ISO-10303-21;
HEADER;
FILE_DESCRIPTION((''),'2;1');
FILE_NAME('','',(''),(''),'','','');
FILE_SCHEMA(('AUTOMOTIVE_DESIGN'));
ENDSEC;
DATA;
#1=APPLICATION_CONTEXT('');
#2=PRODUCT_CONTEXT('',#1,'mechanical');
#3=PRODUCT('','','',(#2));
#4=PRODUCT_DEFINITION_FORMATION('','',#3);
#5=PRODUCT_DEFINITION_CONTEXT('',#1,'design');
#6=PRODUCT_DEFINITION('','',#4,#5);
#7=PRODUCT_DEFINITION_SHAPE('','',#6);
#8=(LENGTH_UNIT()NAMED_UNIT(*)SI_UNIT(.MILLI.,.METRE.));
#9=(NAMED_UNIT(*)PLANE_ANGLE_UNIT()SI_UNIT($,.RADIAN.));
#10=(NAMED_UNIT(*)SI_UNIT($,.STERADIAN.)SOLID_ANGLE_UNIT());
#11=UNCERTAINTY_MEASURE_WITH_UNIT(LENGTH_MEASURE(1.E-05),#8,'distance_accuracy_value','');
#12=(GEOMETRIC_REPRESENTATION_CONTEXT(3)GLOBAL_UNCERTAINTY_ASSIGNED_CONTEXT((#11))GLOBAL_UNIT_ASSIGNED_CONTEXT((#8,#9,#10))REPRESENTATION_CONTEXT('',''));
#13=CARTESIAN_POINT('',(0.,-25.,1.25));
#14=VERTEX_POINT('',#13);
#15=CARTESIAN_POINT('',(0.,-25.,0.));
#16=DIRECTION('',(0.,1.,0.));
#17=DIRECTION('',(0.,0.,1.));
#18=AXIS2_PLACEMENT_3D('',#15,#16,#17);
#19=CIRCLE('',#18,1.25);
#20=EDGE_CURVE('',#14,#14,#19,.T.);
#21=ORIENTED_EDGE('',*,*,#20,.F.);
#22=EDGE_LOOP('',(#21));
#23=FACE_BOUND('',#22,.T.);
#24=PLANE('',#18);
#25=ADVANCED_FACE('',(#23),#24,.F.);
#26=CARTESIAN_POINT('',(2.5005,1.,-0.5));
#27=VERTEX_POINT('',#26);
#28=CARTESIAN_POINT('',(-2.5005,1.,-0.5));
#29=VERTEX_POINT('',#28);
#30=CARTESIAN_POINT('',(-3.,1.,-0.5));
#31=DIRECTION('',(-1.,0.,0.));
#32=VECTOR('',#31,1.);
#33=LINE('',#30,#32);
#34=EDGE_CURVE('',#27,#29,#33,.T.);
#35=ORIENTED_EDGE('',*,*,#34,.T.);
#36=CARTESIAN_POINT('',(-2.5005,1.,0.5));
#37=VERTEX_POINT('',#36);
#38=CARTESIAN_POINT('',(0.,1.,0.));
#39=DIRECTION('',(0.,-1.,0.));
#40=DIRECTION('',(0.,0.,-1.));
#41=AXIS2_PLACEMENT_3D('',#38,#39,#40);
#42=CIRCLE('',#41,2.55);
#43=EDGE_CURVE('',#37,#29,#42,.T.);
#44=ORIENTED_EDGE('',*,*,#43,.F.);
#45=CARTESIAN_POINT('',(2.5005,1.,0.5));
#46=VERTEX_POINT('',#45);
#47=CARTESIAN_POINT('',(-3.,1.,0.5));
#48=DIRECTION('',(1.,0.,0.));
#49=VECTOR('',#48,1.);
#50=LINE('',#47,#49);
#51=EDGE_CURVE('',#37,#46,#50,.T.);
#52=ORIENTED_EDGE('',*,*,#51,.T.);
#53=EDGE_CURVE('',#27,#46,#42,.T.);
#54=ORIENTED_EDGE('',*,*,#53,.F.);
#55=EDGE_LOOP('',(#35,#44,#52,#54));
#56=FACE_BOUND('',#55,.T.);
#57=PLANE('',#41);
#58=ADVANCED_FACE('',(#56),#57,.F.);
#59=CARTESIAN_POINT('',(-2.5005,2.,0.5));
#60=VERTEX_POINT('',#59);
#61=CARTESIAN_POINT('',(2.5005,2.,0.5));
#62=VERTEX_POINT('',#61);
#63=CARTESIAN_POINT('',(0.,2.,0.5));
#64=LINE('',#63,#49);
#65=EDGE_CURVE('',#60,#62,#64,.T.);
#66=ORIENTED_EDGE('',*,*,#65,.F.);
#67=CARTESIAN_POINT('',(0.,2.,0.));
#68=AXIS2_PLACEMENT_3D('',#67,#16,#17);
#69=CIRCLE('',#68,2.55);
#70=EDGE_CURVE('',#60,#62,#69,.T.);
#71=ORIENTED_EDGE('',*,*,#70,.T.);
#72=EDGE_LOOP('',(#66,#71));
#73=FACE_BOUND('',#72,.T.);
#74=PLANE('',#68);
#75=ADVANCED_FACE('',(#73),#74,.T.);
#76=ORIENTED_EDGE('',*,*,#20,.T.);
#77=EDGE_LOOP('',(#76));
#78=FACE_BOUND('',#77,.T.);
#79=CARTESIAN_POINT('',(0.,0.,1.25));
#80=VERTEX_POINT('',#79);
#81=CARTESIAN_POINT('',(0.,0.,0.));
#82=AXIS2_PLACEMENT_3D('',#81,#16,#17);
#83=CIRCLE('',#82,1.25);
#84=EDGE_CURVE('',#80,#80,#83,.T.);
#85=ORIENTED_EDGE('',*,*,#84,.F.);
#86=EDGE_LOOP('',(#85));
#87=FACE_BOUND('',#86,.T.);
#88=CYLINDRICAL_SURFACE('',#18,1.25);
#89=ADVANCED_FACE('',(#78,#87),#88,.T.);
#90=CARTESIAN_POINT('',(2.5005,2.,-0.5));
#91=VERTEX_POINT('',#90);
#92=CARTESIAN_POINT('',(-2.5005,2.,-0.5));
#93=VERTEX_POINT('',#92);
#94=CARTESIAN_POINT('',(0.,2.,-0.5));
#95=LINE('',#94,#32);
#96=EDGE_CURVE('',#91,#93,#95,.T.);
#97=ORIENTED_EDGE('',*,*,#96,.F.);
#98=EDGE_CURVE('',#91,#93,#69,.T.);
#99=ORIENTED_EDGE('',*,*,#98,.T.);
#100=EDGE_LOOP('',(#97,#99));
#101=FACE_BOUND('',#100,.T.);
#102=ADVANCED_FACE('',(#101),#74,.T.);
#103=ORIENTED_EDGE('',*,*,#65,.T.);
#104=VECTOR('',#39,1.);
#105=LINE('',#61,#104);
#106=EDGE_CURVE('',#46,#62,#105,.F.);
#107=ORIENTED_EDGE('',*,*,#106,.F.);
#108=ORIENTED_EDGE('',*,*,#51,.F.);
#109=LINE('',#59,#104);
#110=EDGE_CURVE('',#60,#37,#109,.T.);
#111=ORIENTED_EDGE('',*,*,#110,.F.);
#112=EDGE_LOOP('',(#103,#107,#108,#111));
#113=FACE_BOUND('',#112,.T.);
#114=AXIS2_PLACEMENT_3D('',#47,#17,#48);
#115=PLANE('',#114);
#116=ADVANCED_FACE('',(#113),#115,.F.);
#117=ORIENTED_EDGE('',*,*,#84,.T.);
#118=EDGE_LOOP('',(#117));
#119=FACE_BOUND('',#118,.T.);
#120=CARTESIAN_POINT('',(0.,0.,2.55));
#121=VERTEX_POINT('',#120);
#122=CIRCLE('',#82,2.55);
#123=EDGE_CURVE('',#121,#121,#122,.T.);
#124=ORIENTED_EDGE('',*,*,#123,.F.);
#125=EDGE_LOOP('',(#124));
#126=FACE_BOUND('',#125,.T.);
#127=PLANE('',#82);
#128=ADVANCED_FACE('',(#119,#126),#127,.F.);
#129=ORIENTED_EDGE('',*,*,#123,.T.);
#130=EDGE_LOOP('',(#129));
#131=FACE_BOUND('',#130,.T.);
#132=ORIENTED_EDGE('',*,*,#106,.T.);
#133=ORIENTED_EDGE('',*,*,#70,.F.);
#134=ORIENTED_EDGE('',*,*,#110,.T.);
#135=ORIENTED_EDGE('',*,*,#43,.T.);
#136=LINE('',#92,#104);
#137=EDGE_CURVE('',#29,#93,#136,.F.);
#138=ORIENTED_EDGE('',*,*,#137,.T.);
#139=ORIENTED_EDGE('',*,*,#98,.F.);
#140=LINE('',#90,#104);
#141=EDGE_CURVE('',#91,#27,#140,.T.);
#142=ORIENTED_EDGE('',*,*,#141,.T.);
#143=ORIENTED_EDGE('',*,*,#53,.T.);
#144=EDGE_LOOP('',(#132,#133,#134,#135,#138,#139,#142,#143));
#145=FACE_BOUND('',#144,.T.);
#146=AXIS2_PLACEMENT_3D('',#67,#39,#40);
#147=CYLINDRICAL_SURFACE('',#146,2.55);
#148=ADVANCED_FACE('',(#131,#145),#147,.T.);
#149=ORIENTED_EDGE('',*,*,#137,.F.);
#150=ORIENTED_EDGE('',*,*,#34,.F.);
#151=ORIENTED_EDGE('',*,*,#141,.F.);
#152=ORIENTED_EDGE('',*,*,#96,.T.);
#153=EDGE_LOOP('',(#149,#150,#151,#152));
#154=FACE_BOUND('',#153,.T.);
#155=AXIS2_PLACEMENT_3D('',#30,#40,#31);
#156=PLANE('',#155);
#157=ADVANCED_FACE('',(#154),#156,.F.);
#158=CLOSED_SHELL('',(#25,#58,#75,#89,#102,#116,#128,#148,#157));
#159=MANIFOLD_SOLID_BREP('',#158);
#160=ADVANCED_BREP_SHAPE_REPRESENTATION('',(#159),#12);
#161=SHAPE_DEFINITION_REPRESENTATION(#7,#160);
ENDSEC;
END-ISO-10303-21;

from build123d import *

# Parameters (mm, degrees)
SKETCH1_R           = 2.55
BOSS_EXTRUDE1_DEPTH = 2
SKETCH2_R           = 1.25
BOSS_EXTRUDE2_DEPTH = 25
SKETCH3_W           = 6
SKETCH3_H           = 1
CUT_EXTRUDE1_DEPTH  = 1


with BuildPart() as part:
    # Sketch1 → Boss-Extrude1 (new body)
    with BuildSketch(Plane(origin=(0, 0, 0), x_dir=(1, 0, 0), z_dir=(0, 1, 0))):
        Circle(SKETCH1_R)
    extrude(amount=BOSS_EXTRUDE1_DEPTH)

    # Sketch2 → Boss-Extrude2 (add)
    with BuildSketch(Plane(origin=(0, 0, 0), x_dir=(1, 0, 0), z_dir=(0, 1, 0))):
        Circle(SKETCH2_R)
    extrude(amount=-BOSS_EXTRUDE2_DEPTH)

    # Sketch3 → Cut-Extrude1 (cut)
    with BuildSketch(Plane(origin=(0, 2, 0), x_dir=(1, 0, 0), z_dir=(0, 1, 0))):
        Rectangle(SKETCH3_W, SKETCH3_H)
    extrude(amount=-CUT_EXTRUDE1_DEPTH, mode=Mode.SUBTRACT)


solid = part.part
